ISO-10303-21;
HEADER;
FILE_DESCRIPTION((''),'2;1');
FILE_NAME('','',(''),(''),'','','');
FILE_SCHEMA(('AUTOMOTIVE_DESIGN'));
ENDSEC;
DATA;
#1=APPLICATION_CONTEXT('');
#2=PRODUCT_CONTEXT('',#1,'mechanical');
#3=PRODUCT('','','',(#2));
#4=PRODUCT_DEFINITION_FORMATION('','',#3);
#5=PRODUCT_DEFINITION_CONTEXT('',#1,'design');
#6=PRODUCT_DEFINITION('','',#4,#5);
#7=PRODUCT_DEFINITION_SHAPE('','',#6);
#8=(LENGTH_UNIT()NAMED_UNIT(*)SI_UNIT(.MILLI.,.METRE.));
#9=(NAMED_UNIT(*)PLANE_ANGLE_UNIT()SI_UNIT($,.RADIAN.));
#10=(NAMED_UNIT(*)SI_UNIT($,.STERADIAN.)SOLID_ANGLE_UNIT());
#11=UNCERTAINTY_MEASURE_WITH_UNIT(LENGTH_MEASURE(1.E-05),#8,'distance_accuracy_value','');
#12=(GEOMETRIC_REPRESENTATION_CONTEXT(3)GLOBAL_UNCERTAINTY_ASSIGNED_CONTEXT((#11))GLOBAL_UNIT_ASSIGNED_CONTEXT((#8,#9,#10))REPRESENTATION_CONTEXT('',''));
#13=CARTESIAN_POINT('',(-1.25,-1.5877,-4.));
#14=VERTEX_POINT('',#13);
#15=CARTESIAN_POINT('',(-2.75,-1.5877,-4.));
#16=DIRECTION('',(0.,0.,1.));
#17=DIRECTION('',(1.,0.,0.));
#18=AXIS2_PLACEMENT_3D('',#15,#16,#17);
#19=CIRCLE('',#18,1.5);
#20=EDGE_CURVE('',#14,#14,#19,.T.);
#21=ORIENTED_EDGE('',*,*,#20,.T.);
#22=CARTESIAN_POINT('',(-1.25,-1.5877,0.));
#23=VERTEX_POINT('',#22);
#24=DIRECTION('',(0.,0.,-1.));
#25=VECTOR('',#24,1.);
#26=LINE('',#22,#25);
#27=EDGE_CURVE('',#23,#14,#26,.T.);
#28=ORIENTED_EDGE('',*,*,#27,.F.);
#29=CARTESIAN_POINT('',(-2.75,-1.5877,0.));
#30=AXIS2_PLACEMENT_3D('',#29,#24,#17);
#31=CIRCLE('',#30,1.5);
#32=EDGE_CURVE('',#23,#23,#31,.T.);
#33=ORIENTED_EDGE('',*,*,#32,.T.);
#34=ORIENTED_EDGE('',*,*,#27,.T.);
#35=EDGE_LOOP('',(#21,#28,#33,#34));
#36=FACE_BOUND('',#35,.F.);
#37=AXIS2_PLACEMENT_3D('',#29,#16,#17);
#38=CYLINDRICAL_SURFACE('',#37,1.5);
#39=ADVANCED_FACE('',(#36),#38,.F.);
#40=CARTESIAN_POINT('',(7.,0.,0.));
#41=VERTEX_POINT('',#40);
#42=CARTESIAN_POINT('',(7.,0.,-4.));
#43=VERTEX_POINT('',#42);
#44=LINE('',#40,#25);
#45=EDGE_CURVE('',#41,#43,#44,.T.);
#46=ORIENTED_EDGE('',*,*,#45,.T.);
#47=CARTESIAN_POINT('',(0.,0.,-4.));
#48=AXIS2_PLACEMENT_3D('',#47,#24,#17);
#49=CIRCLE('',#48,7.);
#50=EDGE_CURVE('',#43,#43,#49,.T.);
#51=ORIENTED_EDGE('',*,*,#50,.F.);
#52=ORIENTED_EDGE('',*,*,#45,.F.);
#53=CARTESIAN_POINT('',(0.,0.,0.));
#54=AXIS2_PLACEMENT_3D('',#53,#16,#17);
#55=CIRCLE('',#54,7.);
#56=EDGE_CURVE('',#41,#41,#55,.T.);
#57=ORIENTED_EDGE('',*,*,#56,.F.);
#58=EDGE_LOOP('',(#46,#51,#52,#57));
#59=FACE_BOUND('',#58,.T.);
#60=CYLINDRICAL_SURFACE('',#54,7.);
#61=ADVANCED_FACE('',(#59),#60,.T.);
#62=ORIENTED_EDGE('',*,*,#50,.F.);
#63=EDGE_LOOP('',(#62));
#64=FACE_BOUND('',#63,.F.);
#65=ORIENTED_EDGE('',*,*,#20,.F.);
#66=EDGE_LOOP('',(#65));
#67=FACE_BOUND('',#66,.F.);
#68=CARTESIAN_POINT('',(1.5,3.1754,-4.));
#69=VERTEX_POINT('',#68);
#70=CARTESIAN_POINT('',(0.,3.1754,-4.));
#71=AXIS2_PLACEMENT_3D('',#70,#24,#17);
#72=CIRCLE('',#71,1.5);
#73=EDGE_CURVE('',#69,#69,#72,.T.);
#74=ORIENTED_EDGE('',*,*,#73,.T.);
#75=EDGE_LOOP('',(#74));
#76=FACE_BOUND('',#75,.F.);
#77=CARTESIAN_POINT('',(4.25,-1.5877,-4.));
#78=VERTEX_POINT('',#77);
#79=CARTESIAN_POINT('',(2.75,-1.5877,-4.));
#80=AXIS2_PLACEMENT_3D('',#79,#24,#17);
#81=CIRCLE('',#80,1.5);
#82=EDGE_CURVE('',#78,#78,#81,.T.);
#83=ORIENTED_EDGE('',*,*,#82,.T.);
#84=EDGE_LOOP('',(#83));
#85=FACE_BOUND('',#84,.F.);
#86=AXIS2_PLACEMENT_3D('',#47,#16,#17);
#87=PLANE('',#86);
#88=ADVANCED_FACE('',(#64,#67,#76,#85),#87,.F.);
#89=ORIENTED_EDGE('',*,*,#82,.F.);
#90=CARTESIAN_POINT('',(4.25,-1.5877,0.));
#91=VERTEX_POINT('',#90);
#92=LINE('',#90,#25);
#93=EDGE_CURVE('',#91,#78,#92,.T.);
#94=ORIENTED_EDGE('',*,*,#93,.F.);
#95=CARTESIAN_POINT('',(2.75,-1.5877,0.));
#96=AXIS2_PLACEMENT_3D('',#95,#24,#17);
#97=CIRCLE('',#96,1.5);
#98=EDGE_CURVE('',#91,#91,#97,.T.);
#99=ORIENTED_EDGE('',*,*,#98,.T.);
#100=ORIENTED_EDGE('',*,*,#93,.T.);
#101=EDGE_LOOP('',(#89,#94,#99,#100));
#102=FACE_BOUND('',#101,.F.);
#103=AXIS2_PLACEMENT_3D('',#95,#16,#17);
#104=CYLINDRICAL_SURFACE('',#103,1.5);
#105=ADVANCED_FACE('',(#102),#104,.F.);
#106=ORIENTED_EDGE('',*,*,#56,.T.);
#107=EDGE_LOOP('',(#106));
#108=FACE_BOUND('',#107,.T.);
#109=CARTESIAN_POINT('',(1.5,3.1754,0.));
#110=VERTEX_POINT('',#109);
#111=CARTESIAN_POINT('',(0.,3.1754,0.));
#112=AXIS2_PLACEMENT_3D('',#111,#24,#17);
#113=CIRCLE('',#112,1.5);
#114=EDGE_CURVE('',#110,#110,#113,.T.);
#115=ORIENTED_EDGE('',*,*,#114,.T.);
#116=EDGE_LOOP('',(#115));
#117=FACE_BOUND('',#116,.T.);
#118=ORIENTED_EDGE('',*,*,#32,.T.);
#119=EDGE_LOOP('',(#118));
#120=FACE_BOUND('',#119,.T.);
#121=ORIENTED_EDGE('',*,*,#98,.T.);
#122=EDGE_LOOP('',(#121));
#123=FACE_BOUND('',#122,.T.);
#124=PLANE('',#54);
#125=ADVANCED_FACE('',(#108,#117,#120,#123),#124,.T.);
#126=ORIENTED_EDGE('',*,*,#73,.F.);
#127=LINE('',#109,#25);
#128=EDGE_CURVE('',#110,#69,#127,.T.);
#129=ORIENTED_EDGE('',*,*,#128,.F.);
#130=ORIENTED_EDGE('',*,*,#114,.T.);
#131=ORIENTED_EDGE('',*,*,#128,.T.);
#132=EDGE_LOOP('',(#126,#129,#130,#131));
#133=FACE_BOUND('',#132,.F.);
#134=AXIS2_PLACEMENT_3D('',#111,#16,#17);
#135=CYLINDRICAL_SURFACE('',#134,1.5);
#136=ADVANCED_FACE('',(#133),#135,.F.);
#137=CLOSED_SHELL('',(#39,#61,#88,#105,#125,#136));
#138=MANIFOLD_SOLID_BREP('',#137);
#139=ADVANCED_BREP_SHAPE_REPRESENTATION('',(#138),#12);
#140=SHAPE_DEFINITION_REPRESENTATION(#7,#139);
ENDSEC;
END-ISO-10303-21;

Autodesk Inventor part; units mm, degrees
ref_plane "YZ Plane" through (0, 0, 0) normal (1, 0, 0) x (0, 1, 0)
ref_plane "XZ Plane" through (0, 0, 0) normal (0, 1, 0) x (-1, 0, 0)
ref_plane "XY Plane" through (0, 0, 0) normal (0, 0, 1) x (1, 0, 0)
sketch "スケッチ1" plane through (0, 0, 0) normal (0, 0, 1) x (1, 0, 0)
  line L0 (0, 3.1754) -> (2.75, -1.5877)
  line L1 (2.75, -1.5877) -> (-2.75, -1.5877)
  line L2 (-2.75, -1.5877) -> (0, 3.1754)
  circle A0 centre (0, 3.1754) radius 1.5
  circle A1 centre (-2.75, -1.5877) radius 1.5
  circle A2 centre (2.75, -1.5877) radius 1.5
  circle A3 centre (0, 3.1754) radius 4
  circle A4 centre (-2.75, -1.5877) radius 4
  circle A5 centre (2.75, -1.5877) radius 4
  circle A6 centre (0, 0) radius 7.5
  circle A7 centre (0, 0) radius 4.6754
  circle A8 centre (0, 0) radius 7
  dimension "d0" = 3
  dimension "d1" = 3
  dimension "d2" = 3
  dimension "d3" = 2.5
  dimension "d4" = 2.5
  dimension "d5" = 2.5
  dimension "d6" = 15
  dimension "d7" = 2.8246
  dimension "d8" = 14
  dimension "d9" = 2.3246
extrude "押し出し1" add sketch "スケッチ1" against normal blind 4 contours A5 A3 L0 | A5 A4 A0 | A0 A7 A3 A5 | L0 A3 A4 A5 | A4 A5 A3 L2 | A4 A3 A7 A0 | L2 A3 A4 | A3 A5 A7 A2 | A2 A4 A3 | A3 A7 A5 | A4 A3 A5 | A3 A5 A1 | A1 A7 A4 A3 | A7 A3 A8 | A4 A7 A3 | A4 A5 L1 | L1 A5 A3 A4 | A2 A7 A5 A4 | A3 A8 A5 A7 | A5 A8 A7 | A5 A4 A7 A1 | A7 A4 A8 | A7 A4 A8 A3 | A5 A7 A4 | A7 A5 A8 A4
sketch "スケッチ2" plane through (0, 0, 0) normal (0, 0, 1) x (1, 0, 0)
  circle A0 centre (0, 0) radius 7 projected
  circle A1 centre (2.75, -1.5877) radius 1.5 projected
  circle A2 centre (-2.75, -1.5877) radius 1.5 projected
  circle A3 centre (0, 3.1754) radius 1.5 projected
  circle A4 centre (0, 3.1754) radius 4
  circle A5 centre (-2.75, -1.5877) radius 4
  circle A6 centre (2.75, -1.5877) radius 4
  circle A7 centre (0, 0) radius 4.5
  dimension "d12" = 2.5
  dimension "d13" = 2.5
  dimension "d14" = 2.5
  dimension "d15" = 2.5
sketch "スケッチ3" plane through (0, 0, 0) normal (0, 0, 1) x (1, 0, 0)
  circle A0 centre (0, 0) radius 7 projected
  circle A1 centre (2.75, -1.5877) radius 1.5 projected
  circle A2 centre (-2.75, -1.5877) radius 1.5 projected
  circle A3 centre (0, 3.1754) radius 1.5 projected
equation "\"d3\" = d4"
equation "\"d5\" = d4"
properties part number "アーム 小さいカム4t" material "アルミニウム 2014-T6"
